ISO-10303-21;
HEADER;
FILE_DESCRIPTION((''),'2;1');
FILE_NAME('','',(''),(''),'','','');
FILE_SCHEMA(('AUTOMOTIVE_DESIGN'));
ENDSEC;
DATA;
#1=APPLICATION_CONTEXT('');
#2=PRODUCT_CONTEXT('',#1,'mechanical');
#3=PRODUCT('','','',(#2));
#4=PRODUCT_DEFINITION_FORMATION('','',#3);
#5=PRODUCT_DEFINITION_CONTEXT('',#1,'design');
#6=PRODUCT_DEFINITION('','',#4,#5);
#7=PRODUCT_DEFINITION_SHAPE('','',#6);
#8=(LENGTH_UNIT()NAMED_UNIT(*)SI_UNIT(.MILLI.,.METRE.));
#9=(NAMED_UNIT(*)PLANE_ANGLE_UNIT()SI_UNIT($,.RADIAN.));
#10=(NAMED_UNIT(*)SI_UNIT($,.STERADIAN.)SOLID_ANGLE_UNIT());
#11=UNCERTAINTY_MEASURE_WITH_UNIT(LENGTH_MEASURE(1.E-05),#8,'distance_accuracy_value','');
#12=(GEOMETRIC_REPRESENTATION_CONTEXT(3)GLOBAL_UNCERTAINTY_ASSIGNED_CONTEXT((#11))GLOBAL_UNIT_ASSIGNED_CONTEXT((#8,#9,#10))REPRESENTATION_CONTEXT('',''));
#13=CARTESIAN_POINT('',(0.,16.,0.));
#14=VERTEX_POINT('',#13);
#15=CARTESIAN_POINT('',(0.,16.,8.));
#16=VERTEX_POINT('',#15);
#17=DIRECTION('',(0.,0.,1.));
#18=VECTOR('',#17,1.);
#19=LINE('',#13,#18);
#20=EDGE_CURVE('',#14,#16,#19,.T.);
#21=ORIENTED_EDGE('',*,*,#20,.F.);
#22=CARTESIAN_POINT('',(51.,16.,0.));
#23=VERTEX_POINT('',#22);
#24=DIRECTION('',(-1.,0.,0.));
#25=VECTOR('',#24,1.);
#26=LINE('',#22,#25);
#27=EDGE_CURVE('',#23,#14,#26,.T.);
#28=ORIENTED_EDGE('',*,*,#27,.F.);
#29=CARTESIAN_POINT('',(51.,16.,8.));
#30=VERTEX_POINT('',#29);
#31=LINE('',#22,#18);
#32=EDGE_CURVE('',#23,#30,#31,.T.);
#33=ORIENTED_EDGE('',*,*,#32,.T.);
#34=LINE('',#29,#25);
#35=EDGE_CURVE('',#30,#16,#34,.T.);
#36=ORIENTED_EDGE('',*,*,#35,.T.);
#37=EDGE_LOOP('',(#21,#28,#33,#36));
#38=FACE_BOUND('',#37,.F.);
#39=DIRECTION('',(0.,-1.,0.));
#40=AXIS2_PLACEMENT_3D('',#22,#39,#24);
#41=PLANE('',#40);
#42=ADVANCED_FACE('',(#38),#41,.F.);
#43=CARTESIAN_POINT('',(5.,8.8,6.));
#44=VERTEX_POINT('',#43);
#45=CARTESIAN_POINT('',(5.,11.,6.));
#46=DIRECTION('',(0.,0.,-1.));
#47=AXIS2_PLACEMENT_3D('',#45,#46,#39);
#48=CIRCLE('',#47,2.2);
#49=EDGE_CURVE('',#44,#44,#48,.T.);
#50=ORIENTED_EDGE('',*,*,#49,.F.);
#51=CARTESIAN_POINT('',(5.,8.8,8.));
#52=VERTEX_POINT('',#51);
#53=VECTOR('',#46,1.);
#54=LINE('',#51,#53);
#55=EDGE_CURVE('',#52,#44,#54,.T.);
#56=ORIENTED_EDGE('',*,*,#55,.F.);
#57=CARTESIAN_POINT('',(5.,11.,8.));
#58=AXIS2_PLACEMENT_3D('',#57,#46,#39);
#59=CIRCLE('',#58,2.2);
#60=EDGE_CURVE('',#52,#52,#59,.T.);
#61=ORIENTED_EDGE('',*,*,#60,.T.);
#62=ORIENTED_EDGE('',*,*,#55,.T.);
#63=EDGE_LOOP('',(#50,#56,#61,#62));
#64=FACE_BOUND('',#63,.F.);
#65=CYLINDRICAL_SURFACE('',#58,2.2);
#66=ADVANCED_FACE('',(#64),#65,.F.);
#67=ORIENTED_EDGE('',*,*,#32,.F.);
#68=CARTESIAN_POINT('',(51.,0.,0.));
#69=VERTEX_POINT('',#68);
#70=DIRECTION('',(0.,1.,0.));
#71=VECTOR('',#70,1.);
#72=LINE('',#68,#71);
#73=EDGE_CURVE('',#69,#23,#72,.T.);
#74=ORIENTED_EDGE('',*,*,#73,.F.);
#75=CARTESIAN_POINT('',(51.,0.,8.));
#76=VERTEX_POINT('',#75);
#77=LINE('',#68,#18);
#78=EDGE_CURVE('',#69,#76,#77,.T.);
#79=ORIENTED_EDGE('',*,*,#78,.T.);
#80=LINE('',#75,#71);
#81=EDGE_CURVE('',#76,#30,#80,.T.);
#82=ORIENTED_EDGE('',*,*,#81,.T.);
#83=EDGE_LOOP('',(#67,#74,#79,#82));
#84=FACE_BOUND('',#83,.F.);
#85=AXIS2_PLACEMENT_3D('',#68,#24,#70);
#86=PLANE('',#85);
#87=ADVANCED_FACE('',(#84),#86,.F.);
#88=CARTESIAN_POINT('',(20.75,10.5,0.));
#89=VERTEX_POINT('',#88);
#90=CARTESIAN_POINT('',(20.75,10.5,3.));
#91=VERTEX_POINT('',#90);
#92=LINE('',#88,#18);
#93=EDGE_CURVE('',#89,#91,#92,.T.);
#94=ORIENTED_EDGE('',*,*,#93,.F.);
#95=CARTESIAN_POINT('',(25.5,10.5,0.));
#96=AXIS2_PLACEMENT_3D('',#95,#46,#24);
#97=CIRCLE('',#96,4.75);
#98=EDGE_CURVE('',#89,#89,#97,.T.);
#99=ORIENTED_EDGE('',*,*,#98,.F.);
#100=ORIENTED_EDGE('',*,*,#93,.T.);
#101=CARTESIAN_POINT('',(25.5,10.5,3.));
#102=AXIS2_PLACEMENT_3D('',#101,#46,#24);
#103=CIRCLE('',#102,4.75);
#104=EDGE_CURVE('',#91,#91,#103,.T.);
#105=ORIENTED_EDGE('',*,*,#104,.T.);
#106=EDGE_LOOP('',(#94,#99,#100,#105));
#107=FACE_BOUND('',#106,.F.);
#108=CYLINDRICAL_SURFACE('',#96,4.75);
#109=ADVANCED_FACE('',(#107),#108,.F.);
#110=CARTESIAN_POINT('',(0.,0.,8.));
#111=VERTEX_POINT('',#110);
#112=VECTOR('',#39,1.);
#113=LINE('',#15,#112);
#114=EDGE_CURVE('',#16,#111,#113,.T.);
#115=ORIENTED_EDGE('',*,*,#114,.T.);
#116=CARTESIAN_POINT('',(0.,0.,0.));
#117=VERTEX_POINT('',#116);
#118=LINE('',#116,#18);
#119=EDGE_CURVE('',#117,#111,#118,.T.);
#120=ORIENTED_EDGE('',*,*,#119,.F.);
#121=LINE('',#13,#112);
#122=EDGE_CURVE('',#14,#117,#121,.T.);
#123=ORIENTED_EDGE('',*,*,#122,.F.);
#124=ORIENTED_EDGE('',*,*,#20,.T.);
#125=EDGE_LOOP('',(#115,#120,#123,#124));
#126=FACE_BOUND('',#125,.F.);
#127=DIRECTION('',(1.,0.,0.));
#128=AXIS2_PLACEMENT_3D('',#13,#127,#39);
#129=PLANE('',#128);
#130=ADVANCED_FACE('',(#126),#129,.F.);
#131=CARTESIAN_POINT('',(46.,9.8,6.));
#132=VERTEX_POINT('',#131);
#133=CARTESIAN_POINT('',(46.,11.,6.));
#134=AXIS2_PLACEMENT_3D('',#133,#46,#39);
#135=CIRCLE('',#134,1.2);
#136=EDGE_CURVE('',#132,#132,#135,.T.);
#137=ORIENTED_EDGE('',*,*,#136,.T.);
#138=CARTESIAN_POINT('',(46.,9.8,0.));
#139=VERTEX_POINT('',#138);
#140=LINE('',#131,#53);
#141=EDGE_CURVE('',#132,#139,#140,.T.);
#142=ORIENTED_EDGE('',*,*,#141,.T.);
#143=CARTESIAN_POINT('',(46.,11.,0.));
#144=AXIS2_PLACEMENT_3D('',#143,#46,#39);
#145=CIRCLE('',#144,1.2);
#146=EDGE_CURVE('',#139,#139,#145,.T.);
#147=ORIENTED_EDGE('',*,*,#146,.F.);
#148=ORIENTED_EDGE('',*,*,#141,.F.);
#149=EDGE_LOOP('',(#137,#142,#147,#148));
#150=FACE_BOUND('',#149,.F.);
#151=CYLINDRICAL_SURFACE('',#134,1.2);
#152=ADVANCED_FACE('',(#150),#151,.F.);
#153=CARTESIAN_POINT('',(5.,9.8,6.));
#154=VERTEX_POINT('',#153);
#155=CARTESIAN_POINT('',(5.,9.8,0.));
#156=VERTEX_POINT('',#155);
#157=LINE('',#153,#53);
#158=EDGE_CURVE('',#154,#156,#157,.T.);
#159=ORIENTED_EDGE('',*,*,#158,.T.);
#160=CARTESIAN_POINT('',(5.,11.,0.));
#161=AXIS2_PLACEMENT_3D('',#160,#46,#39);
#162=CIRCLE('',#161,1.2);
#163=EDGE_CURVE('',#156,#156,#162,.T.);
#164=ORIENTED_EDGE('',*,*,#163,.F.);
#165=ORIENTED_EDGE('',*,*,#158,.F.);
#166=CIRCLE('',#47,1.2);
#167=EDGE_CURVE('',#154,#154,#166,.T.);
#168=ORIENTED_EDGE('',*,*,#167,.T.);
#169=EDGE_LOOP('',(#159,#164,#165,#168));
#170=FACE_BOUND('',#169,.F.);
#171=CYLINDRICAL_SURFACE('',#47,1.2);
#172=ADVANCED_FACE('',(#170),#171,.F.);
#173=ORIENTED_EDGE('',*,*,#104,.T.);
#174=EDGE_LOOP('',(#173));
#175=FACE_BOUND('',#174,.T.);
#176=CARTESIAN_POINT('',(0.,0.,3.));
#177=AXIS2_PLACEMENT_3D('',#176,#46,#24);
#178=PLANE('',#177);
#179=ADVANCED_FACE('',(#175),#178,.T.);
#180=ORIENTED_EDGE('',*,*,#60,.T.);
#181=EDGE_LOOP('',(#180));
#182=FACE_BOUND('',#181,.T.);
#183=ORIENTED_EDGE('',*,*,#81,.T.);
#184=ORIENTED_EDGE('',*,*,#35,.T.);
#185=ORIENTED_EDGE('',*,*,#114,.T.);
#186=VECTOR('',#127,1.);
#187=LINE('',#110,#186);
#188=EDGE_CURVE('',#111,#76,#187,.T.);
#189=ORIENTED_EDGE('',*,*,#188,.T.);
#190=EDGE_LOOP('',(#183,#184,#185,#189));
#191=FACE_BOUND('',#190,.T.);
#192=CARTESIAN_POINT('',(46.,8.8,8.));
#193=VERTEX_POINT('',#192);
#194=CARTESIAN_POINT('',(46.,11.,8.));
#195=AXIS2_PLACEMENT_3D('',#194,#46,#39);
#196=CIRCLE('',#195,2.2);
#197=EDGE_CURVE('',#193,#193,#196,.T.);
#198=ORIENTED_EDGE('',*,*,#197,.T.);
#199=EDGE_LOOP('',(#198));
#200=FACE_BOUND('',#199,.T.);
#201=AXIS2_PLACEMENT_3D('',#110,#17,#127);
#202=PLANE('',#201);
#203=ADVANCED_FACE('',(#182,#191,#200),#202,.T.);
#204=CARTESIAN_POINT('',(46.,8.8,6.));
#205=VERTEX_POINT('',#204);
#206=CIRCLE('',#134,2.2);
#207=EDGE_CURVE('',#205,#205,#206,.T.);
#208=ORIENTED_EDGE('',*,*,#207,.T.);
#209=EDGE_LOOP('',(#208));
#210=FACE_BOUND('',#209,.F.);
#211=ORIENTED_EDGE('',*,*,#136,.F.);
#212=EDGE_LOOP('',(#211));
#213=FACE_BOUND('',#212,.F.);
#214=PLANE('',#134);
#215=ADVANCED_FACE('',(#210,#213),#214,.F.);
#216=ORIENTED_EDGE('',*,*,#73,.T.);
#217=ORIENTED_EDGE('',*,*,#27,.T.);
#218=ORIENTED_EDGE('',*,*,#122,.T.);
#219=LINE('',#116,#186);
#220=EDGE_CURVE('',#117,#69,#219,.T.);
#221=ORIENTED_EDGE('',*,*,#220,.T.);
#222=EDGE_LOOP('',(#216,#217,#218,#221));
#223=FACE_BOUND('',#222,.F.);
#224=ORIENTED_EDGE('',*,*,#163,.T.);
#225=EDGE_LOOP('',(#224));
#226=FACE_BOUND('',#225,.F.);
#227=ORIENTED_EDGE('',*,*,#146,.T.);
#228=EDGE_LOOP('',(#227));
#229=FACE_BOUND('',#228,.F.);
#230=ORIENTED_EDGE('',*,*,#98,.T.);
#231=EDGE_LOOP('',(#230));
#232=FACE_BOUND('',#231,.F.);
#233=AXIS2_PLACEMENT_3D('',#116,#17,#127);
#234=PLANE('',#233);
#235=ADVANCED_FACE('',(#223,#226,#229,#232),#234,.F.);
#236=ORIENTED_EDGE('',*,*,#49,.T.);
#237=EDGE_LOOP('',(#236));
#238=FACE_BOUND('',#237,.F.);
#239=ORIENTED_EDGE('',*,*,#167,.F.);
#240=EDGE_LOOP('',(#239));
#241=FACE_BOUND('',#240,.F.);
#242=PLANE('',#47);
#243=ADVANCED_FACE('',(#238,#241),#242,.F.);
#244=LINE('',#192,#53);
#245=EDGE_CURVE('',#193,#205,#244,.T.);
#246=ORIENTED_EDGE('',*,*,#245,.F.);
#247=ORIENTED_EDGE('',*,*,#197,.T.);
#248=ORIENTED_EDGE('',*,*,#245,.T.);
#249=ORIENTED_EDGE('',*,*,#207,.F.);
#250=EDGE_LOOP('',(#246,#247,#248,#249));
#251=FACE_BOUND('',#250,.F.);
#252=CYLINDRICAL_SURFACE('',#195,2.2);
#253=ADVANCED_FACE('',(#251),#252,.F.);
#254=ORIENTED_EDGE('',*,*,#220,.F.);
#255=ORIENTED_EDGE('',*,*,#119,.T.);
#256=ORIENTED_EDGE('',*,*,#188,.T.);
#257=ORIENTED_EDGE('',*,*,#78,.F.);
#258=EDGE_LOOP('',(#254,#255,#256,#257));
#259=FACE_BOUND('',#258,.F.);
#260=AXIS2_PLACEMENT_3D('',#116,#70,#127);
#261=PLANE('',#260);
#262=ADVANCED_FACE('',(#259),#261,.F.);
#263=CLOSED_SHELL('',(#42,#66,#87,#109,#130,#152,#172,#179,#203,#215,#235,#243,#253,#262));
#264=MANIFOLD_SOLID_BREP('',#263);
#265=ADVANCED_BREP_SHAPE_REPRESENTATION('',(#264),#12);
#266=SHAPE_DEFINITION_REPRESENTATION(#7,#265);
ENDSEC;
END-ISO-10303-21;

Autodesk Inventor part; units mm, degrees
ref_plane "YZ Plane" through (0, 0, 0) normal (1, 0, 0) x (0, 1, 0)
ref_plane "XZ Plane" through (0, 0, 0) normal (0, 1, 0) x (-1, 0, 0)
ref_plane "XY Plane" through (0, 0, 0) normal (0, 0, 1) x (1, 0, 0)
sketch "Sketch1" plane through (0, 0, 0) normal (0, 0, 1) x (1, 0, 0)
  line L0 (0, 0) -> (51, 0)
  line L1 (51, 0) -> (51, 16)
  line L2 (51, 16) -> (0, 16)
  line L3 (0, 16) -> (0, 0)
  line L4 (25.5, 0) -> (25.5, 7.5) construction
  line L5 (25.5, 0) -> (25.5, 10.5) construction
  circle A0 centre (25.5, 10.5) radius 4
  dimension "d0" = 51
  dimension "d1" = 16
  dimension "d4" = 10.5
  dimension "d8" = 8
extrude "Extrusion1" add sketch "Sketch1" along normal blind 8 contours L3 L2 L1 L0 | A0
sketch "Sketch2" plane through (0, 0, 0) normal (0, 0, -1) x (-1, 0, 0)
  line L0 (0, 0) -> (-51, 0) construction
  line L1 (-25.5, 0) -> (-25.5, 10.5) construction
  circle A0 centre (-25.5, 10.5) radius 4.75
  line L2 (-25.5, 0) -> (-15.5, 0) construction
  line L3 (-15.5, 0) -> (-15.5, 10.5) construction
  line L4 (-25.5, 0) -> (-35.5, 0) construction
  line L5 (-35.5, 0) -> (-35.5, 10.5) construction
  circle A1 centre (-35.5, 10.5) radius 3
  circle A2 centre (-15.5, 10.5) radius 3
  dimension "d6" = 10.5
  dimension "d7" = 9.5
  dimension "d11" = 10
  dimension "d12" = 10.5
  dimension "d13" = 10
  dimension "d14" = 10.5
  dimension "d15" = 6
  dimension "d16" = 6
extrude "Extrusion2" cut sketch "Sketch2" against normal blind 3 contours A0
sketch "Sketch3" plane through (0, 0, 8) normal (0, 0, 1) x (1, 0, 0)
  line L0 (51, 16) -> (0, 16) construction
  line L1 (0, 16) -> (5, 16) construction
  line L2 (5, 16) -> (5, 11) construction
  point P0 (0, 0)
  dimension "d17" = 5
  dimension "d18" = 5
sketch "Sketch4" plane through (0, 0, 8) normal (0, 0, 1) x (1, 0, 0)
  line L0 (51, 16) -> (0, 16) projected
  line L1 (0, 16) -> (0, 11)
  line L2 (0, 16) -> (0, 0) projected
  line L3 (0, 11) -> (5, 11)
  line L4 (51, 16) -> (46, 16)
  line L5 (46, 16) -> (46, 11)
  dimension "d19" = 5
  dimension "d20" = 5
  dimension "d21" = 5
  dimension "d22" = 5
hole "Hole1" at (5, 11, 8) at (46, 11, 8) direction (0, 0, -1) diameter 2.4 end through all counterbore diameter 4.4 counterbore depth 2
sketch "Sketch5" plane through (0, 0, 8) normal (0, 0, 1) x (1, 0, 0)
  point P0 (0, 0)
properties part number "Back Plate" material "Steel, Carbon"
